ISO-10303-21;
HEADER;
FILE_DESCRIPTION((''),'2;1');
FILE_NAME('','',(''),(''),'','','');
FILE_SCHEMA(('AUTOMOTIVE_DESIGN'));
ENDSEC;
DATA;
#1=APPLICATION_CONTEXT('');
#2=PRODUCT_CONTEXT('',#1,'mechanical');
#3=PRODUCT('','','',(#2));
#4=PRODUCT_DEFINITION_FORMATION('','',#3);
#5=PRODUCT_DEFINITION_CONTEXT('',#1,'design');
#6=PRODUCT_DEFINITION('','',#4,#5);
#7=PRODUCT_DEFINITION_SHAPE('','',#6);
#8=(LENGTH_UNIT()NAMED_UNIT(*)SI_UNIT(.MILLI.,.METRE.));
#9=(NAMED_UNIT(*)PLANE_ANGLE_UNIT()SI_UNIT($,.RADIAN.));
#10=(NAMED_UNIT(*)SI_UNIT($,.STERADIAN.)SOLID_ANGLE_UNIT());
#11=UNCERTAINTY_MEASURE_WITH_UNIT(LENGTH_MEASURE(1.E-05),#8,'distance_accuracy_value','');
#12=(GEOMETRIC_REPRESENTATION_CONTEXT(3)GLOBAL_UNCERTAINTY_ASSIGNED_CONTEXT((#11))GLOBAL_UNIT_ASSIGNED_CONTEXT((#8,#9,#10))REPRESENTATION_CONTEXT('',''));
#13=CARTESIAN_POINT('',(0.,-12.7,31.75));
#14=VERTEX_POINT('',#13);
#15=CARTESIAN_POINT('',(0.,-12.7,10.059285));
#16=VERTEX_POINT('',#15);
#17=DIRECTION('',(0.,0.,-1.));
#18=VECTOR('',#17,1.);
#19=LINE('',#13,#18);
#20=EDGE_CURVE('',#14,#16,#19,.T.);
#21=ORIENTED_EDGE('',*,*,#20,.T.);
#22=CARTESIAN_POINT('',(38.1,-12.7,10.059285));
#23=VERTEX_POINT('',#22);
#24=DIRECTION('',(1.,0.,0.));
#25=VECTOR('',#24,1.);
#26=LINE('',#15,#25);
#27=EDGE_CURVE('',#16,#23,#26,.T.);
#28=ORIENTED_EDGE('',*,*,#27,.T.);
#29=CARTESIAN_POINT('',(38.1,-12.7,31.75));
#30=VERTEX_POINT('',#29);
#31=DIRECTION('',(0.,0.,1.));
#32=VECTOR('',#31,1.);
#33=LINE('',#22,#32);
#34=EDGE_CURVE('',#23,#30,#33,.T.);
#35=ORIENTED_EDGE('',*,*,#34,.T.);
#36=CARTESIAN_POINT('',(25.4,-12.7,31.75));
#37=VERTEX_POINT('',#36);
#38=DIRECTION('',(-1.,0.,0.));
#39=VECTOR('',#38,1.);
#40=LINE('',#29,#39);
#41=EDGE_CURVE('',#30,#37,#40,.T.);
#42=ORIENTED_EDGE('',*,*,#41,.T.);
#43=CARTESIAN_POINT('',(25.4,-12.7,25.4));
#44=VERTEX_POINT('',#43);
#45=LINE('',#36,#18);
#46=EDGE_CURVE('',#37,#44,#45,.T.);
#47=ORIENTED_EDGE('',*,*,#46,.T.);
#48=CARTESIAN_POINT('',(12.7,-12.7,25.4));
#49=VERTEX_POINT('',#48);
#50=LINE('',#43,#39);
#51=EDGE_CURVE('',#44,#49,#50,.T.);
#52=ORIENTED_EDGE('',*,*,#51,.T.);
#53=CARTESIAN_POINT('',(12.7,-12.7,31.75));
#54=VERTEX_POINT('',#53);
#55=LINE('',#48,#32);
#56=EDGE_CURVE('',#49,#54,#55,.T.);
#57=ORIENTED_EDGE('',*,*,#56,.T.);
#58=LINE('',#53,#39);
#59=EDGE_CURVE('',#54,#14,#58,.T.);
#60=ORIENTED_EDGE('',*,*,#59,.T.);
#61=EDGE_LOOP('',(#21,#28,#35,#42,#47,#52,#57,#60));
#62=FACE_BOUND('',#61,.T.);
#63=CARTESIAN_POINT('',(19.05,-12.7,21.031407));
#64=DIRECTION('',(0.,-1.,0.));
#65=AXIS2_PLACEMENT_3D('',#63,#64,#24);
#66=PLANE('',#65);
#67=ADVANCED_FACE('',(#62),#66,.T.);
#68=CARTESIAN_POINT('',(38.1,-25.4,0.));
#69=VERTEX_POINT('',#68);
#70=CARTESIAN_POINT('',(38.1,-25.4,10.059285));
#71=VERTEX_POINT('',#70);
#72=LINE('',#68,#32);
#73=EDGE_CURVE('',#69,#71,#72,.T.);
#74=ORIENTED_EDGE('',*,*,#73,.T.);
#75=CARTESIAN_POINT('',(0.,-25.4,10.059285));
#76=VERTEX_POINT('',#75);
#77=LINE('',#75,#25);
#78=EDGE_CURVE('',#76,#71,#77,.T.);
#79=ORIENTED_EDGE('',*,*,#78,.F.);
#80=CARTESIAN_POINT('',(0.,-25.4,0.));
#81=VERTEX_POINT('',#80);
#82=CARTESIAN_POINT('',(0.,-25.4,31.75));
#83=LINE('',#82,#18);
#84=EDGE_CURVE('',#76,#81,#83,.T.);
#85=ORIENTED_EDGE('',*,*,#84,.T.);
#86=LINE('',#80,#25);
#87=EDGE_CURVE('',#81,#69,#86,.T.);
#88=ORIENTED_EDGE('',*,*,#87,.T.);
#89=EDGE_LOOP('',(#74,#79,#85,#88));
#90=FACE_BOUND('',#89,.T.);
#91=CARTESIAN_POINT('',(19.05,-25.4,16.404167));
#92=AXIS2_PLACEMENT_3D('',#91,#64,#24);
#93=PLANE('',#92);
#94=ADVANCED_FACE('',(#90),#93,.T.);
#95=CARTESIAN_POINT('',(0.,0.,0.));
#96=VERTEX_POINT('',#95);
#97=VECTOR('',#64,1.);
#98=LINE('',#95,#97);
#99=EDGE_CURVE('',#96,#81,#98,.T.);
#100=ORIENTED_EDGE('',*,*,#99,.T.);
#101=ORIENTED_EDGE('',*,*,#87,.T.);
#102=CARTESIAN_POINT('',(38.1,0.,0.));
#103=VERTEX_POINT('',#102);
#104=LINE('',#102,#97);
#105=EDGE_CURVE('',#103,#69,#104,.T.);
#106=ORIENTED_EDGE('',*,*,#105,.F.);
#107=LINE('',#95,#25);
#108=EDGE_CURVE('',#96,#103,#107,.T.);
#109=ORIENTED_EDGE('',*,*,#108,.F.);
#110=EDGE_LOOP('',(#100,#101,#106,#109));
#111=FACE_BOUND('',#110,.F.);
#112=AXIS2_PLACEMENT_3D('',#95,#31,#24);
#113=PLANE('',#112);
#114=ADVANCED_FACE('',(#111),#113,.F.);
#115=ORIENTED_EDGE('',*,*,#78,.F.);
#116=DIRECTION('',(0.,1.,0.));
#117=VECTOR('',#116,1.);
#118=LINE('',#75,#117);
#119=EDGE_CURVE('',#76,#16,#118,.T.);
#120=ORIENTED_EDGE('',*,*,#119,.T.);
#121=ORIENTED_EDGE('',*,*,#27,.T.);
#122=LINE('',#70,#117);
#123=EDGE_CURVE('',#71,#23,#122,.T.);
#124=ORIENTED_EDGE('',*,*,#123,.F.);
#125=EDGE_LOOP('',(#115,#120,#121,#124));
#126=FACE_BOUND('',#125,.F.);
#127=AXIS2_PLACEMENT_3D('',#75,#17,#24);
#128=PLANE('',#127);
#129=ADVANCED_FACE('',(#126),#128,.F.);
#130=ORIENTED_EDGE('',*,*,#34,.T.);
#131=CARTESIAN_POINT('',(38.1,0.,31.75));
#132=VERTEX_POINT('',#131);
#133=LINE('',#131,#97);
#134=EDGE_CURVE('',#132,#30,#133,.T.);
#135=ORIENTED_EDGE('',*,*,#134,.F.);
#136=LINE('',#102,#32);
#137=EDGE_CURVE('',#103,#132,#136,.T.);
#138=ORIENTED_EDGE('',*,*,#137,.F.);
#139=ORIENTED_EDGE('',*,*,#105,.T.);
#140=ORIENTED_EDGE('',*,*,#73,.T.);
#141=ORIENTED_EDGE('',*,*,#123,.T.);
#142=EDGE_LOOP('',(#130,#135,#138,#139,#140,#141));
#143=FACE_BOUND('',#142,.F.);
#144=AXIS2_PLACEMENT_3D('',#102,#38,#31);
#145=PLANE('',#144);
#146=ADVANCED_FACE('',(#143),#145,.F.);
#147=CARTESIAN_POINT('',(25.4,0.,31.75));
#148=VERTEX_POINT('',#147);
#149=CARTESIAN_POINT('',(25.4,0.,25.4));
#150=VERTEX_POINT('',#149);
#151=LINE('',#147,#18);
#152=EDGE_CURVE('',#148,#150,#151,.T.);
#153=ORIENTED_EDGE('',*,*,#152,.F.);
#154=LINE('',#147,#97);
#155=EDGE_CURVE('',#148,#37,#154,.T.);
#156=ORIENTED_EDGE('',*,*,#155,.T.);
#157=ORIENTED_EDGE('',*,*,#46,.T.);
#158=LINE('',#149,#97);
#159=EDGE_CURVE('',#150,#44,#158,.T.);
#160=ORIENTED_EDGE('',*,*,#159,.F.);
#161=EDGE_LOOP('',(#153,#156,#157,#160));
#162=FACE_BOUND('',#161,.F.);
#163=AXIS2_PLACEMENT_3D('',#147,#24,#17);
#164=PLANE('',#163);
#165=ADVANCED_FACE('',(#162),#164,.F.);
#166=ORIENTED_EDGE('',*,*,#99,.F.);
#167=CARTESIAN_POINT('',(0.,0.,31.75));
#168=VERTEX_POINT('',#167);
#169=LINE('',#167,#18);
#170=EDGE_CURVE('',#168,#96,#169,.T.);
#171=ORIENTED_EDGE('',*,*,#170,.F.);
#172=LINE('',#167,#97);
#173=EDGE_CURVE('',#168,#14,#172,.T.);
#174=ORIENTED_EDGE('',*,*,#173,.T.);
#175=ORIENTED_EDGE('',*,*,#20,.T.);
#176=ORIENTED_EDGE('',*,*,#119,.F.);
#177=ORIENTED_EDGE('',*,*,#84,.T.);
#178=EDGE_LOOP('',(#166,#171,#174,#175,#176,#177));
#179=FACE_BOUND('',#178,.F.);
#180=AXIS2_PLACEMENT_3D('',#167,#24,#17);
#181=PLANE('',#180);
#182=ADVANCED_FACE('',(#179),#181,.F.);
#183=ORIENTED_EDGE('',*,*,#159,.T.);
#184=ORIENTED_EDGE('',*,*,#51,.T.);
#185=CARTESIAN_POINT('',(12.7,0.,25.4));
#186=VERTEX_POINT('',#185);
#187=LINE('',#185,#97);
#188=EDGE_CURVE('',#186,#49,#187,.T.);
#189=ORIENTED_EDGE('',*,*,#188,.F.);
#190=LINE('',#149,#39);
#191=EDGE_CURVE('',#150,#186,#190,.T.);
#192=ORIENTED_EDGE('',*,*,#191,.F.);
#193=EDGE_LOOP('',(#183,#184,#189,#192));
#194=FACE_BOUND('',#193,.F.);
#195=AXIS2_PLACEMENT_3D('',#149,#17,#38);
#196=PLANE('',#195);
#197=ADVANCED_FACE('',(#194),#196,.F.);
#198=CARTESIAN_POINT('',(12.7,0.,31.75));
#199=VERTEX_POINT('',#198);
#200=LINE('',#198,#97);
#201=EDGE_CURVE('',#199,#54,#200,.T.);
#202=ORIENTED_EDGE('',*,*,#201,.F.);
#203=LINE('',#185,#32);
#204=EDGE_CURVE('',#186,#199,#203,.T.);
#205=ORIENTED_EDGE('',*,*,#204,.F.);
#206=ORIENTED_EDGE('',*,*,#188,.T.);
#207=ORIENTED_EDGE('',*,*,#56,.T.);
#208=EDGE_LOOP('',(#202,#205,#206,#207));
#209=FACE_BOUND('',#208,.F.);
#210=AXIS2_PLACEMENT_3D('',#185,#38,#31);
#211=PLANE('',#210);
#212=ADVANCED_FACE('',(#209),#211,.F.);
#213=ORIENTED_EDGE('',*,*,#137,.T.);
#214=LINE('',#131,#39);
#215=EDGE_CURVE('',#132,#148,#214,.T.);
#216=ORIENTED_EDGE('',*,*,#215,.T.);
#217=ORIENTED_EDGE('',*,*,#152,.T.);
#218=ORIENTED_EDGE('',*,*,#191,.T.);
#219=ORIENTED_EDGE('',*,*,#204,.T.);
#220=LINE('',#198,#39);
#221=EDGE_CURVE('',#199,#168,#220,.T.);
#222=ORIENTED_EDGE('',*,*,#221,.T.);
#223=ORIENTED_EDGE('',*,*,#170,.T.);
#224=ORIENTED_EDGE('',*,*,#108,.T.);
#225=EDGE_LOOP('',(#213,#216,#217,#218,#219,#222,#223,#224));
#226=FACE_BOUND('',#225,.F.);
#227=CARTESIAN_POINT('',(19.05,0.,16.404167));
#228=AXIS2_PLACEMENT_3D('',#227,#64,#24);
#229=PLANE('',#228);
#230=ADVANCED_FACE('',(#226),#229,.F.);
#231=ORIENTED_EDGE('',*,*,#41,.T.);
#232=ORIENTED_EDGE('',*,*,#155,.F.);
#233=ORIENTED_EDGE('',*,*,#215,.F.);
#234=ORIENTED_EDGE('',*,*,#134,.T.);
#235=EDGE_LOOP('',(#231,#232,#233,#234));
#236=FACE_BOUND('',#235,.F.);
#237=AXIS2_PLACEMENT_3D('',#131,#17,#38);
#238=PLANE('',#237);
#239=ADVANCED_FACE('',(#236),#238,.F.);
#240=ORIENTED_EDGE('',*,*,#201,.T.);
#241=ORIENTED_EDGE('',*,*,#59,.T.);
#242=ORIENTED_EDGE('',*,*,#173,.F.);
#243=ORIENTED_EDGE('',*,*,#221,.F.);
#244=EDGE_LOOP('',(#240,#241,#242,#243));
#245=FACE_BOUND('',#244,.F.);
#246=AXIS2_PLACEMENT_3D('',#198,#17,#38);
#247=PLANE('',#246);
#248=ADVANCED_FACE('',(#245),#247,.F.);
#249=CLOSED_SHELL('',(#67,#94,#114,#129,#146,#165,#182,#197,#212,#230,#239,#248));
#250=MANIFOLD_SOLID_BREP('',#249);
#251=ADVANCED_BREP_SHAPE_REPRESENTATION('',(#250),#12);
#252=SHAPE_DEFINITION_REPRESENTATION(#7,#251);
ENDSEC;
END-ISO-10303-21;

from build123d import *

# Parameters (mm, degrees)
F1_DEPTH = 25.4
F3_DEPTH = 12.7


with BuildPart() as f1:
    # F0 (on Front) → F1 (new body)
    with BuildSketch(Plane.XZ):
        Polygon((0, 31.75), (0, 0), (38.1, 0), (38.1, 31.75), (25.4, 31.75), (25.4, 25.4), (12.7, 25.4), (12.7, 31.75), align=None)
    extrude(amount=F1_DEPTH)

    # F2 (on face) → F3 (cut)
    with BuildSketch(Plane.XZ.offset(25.4)):
        Polygon((0, 31.75), (0, 10.059285), (38.1, 10.059285), (38.1, 31.75), (25.4, 31.75), (25.4, 25.4), (12.7, 25.4), (12.7, 31.75), align=None)
    extrude(amount=-F3_DEPTH, mode=Mode.SUBTRACT)


solid = f1.part
